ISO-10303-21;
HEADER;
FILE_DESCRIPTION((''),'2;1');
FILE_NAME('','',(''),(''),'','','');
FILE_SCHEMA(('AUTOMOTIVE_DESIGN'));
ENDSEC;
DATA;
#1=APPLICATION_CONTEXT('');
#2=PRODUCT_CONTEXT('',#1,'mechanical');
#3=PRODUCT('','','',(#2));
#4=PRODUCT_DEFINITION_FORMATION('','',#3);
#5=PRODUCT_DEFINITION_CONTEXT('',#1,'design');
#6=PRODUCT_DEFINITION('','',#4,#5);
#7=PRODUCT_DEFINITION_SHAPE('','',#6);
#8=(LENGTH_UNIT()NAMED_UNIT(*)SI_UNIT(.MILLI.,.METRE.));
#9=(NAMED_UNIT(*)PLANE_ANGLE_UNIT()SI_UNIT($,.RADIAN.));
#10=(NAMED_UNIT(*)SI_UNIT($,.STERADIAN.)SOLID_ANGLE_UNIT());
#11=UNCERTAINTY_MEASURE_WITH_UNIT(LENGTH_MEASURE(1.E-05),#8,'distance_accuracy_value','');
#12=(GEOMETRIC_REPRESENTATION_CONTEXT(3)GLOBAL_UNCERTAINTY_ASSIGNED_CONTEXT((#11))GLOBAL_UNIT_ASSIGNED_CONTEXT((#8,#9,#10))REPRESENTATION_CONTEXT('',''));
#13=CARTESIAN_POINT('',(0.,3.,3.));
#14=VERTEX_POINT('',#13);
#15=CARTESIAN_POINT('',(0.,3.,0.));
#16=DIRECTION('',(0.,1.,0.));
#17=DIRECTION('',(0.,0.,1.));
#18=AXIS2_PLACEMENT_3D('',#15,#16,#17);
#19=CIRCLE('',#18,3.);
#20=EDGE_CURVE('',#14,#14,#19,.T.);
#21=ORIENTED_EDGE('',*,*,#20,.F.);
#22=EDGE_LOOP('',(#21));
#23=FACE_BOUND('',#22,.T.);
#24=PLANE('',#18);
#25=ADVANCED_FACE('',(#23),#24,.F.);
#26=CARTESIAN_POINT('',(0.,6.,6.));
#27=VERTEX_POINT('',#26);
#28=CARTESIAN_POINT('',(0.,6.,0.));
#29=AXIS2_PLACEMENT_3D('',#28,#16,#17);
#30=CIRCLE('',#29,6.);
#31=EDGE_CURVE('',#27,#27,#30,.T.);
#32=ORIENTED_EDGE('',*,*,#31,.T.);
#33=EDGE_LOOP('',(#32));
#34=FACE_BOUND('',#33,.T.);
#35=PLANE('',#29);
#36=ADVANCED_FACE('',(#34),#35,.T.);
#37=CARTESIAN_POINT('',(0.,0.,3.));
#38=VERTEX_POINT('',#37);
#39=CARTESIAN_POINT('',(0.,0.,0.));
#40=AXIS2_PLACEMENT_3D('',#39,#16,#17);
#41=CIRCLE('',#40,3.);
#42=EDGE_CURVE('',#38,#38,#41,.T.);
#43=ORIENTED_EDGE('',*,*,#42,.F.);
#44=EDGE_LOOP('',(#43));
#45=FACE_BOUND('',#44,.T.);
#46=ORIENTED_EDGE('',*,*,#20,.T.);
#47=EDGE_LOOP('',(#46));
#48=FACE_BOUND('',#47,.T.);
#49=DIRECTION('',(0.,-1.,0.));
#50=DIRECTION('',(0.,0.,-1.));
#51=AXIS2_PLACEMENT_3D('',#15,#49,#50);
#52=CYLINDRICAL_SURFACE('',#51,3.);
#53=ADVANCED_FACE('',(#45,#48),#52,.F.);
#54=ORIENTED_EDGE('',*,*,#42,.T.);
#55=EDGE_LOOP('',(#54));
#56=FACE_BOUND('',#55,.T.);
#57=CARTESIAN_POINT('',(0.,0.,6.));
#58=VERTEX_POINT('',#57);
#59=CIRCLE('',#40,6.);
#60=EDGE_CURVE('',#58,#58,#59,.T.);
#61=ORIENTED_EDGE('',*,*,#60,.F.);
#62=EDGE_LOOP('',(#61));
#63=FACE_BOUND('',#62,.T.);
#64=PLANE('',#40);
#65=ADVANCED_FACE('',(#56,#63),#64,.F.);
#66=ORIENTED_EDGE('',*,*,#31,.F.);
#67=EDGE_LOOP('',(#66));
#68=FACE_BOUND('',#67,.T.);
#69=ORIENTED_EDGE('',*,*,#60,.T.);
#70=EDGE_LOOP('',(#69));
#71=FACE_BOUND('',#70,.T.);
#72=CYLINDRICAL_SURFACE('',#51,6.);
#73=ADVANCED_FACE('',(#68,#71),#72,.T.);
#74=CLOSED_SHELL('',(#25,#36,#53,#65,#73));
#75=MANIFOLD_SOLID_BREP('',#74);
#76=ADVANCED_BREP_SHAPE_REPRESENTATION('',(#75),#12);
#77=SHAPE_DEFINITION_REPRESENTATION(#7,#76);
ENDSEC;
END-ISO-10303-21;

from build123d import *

# Parameters (mm, degrees)
SKETCH_1_R      = 6
SKETCH_1_R_2    = 3
EXTRUDE_1_DEPTH = 3
SKETCH_3_R      = 6
EXTRUDE_2_DEPTH = 3


with BuildPart() as part:
    # 스케치1 → 보스-돌출1 (new body)
    with BuildSketch(Plane(origin=(0, 0, 0), x_dir=(1, 0, 0), z_dir=(0, 1, 0))):
        Circle(SKETCH_1_R)
        Circle(SKETCH_1_R_2, mode=Mode.SUBTRACT)
    extrude(amount=EXTRUDE_1_DEPTH)

    # 스케치3 → 보스-돌출2 (add)
    with BuildSketch(Plane(origin=(0, 3, 0), x_dir=(1, 0, 0), z_dir=(0, 1, 0))):
        Circle(SKETCH_3_R)
    extrude(amount=EXTRUDE_2_DEPTH)


solid = part.part
